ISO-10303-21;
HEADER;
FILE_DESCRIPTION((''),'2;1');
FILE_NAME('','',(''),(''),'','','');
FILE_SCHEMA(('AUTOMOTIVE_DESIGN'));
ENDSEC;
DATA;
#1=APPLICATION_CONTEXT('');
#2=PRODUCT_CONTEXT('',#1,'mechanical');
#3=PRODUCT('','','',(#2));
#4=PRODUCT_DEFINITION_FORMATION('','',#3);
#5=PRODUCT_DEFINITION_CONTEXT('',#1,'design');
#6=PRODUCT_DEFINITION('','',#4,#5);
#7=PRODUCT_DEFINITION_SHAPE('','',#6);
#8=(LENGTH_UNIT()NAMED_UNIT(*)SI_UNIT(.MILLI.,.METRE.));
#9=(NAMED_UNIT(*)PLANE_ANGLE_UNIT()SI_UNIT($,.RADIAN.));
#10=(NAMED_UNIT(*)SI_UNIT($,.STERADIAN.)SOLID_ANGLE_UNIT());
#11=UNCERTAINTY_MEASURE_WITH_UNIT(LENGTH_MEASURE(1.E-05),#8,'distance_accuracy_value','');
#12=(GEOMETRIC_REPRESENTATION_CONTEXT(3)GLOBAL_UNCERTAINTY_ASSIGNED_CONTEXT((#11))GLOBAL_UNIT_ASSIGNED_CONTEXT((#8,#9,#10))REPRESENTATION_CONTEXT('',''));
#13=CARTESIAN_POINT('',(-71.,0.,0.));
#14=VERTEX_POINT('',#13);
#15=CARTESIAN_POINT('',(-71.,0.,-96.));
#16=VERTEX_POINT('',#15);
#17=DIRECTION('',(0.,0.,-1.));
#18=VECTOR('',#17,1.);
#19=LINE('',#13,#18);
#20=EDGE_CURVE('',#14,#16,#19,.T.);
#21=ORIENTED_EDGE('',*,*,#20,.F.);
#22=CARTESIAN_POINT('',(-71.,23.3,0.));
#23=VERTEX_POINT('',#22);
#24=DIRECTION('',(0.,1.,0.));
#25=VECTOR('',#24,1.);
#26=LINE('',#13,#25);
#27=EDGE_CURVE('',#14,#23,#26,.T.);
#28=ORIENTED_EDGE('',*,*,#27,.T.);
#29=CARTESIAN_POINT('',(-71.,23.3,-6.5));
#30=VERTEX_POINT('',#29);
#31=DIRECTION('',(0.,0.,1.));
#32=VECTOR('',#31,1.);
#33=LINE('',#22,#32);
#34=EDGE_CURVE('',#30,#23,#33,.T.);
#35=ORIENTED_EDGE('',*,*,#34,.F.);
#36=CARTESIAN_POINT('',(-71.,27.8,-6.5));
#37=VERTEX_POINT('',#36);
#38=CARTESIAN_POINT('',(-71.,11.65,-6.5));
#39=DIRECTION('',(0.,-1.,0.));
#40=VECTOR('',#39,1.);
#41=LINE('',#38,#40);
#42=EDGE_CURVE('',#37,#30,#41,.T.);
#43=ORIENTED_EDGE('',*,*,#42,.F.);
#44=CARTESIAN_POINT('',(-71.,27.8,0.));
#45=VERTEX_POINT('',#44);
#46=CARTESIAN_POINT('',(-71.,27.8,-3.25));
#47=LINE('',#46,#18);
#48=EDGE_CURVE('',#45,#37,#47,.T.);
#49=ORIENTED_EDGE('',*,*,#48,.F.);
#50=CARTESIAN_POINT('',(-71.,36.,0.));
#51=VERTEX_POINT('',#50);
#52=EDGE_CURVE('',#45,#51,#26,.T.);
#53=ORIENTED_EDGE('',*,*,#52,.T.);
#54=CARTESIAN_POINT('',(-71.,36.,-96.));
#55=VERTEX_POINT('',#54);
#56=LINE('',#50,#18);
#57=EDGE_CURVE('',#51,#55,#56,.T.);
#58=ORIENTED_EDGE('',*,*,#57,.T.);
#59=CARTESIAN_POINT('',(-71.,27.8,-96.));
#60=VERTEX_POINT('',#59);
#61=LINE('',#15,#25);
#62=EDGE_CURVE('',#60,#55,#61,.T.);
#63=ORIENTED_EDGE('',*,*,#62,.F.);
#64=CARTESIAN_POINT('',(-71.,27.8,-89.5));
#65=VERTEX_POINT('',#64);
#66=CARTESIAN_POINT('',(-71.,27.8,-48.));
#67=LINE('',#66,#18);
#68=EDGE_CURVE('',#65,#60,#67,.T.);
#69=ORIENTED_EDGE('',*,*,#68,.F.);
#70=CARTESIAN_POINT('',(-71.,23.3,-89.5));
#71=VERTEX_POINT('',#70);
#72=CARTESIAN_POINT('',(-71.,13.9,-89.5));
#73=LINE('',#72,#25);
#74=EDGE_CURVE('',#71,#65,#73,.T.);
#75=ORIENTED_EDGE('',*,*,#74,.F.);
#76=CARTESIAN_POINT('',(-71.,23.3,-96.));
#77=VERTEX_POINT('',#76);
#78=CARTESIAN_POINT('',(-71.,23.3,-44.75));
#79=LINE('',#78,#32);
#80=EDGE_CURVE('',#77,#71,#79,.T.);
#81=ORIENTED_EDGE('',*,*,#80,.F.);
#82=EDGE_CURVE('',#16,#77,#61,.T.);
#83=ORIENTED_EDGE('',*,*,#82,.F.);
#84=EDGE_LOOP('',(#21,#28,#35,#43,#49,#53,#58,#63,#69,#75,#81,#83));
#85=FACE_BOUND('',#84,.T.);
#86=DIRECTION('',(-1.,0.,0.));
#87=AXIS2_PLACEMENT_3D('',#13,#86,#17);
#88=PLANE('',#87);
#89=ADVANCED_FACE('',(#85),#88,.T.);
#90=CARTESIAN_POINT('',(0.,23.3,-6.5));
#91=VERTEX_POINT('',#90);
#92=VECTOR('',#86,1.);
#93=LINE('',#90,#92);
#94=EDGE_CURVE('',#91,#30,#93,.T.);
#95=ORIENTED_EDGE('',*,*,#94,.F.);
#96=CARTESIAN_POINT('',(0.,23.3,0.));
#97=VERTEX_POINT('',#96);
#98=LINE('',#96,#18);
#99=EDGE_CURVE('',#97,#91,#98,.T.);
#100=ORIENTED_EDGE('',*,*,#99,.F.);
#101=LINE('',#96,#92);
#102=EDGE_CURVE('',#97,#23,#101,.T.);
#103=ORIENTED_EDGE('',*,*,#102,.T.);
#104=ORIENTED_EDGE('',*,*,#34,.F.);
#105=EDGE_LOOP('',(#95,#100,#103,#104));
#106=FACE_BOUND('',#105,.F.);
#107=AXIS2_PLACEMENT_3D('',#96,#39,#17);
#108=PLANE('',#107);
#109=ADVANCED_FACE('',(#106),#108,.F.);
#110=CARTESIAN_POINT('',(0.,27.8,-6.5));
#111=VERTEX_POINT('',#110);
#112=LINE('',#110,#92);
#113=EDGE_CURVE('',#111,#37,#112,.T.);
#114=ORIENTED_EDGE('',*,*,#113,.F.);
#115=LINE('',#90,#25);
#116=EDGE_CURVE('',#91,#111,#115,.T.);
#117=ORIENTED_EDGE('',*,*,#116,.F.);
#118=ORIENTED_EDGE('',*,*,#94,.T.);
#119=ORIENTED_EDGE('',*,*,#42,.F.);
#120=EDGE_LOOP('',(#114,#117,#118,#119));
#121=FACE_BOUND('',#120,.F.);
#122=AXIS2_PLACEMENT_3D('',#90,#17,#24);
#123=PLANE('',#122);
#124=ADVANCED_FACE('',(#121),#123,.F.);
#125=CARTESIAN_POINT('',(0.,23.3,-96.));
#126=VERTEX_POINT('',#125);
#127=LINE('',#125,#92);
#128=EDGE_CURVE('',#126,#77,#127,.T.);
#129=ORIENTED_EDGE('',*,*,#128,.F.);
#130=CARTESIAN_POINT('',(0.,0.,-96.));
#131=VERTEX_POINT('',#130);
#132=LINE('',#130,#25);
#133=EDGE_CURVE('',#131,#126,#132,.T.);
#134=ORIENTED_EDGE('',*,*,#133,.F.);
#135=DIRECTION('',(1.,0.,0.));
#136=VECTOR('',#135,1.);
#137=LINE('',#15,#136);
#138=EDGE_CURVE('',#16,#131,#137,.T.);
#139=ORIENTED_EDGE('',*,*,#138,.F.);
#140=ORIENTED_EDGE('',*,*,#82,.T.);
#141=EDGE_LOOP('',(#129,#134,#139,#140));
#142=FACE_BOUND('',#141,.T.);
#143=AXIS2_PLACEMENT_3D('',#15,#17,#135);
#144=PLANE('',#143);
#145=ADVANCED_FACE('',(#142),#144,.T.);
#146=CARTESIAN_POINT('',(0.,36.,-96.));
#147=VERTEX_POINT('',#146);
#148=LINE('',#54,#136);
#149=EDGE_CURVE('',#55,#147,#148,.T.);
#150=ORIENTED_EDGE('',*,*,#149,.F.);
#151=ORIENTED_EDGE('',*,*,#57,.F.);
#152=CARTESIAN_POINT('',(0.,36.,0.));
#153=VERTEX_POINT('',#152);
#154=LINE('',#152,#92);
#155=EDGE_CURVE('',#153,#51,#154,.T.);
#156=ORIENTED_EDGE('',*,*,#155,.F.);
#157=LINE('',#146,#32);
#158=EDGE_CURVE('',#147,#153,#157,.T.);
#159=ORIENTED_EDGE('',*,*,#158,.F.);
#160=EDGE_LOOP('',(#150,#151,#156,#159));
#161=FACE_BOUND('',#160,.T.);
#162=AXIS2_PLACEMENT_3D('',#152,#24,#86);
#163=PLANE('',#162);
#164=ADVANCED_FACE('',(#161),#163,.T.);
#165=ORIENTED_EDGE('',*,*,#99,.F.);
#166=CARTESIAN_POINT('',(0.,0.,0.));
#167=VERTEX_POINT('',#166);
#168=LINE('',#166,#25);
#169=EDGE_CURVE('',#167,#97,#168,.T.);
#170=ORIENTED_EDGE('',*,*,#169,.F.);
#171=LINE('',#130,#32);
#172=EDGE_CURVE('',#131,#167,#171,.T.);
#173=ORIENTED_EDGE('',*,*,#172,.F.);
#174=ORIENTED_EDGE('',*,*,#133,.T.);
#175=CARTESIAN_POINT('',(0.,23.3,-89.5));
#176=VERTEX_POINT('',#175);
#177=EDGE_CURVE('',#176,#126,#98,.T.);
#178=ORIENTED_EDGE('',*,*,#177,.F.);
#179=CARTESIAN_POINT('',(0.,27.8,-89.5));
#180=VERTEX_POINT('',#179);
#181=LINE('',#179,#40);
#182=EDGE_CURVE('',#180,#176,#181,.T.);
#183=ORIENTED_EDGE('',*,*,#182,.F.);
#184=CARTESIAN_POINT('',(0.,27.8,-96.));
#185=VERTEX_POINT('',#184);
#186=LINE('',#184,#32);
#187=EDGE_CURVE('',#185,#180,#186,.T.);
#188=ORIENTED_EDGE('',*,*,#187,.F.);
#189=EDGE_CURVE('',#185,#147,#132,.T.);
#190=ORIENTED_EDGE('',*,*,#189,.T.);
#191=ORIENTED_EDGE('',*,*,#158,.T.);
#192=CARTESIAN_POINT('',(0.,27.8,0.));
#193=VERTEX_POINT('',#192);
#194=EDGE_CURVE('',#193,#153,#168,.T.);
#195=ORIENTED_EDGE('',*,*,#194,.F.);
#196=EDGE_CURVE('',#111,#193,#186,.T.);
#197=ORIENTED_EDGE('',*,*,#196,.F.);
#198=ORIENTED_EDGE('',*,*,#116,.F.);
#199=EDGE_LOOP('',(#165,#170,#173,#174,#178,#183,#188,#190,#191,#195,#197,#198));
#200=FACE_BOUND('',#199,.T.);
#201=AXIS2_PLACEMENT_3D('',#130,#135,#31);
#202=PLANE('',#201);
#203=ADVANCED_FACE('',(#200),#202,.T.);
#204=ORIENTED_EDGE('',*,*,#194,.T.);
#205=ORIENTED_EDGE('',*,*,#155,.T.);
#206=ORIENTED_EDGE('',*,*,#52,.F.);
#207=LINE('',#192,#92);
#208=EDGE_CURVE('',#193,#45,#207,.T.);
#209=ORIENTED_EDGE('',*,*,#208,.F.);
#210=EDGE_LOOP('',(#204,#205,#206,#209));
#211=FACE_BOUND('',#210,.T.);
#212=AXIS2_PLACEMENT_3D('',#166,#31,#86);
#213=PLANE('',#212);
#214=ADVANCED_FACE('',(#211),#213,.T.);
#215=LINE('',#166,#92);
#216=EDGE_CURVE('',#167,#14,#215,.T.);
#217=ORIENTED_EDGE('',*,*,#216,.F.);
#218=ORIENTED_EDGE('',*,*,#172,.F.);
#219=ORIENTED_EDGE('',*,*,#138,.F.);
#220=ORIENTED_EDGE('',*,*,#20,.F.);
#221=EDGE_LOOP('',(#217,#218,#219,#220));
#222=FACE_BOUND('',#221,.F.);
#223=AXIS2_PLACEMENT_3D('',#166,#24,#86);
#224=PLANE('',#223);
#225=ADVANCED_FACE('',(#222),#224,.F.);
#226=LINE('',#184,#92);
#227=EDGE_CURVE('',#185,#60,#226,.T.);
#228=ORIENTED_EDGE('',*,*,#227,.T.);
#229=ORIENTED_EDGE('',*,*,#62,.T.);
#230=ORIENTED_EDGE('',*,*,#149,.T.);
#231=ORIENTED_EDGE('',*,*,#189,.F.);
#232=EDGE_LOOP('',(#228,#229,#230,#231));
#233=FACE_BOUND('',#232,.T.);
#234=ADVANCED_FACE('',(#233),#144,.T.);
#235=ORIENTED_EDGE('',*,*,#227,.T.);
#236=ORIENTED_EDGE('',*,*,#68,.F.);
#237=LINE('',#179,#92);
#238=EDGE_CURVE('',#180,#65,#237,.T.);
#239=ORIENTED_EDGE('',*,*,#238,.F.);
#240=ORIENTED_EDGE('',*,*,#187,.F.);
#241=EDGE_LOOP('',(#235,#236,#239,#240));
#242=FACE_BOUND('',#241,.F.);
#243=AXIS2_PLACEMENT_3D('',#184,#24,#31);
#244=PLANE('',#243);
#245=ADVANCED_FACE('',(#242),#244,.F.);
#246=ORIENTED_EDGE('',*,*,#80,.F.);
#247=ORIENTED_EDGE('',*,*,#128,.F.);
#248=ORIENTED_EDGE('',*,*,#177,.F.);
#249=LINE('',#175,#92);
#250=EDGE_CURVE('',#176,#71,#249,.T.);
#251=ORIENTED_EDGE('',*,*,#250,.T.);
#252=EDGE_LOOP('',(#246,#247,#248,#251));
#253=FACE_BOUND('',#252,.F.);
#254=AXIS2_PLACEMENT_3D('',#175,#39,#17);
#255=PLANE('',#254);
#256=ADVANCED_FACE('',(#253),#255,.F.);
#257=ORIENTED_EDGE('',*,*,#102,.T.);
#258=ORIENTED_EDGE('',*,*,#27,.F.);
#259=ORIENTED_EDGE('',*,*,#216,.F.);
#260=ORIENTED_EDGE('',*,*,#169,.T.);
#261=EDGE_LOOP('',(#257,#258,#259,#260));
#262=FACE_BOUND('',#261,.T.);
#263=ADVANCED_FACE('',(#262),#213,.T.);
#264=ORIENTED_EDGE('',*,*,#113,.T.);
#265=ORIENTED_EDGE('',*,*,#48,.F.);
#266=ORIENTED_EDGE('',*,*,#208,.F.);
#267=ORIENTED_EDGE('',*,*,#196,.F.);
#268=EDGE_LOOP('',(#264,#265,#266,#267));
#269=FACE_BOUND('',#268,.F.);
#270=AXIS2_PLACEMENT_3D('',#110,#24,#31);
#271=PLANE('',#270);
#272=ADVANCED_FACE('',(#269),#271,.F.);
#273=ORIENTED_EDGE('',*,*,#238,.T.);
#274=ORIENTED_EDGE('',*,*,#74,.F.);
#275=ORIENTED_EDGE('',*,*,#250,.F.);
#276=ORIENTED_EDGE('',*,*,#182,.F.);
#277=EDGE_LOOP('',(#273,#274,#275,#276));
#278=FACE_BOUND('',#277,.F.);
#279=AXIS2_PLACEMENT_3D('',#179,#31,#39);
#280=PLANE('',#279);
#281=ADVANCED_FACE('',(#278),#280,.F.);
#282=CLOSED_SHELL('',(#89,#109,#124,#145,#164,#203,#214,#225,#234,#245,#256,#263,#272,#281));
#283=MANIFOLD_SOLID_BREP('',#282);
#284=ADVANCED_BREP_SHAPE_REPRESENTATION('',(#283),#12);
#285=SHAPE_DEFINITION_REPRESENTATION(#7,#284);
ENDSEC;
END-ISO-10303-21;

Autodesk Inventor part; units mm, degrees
ref_plane "YZ Plane" through (0, 0, 0) normal (1, 0, 0) x (0, 1, 0)
ref_plane "XZ Plane" through (0, 0, 0) normal (0, 1, 0) x (-1, 0, 0)
ref_plane "XY Plane" through (0, 0, 0) normal (0, 0, 1) x (1, 0, 0)
sketch "Sketch1" plane through (0, 0, 0) normal (0, 1, 0) x (-1, 0, 0)
  line L0 (0, 0) -> (71, 0)
  line L1 (71, 0) -> (71, -96)
  line L2 (71, -96) -> (0, -96)
  line L3 (0, -96) -> (0, 0)
  dimension "d0" = 96
  dimension "d1" = 71
extrude "Extrusion1" add sketch "Sketch1" along normal blind 36
sketch "Sketch2" plane through (0, 0, 0) normal (1, 0, 0) x (0, 0, -1)
  line L0 (96, 0) -> (0, 0) projected
  line L1 (0, 0) -> (0, 23.3)
  line L2 (0, 0) -> (0, 36) projected
  line L3 (96, 0) -> (96, 36) projected
  line L4 (0, 23.3) -> (96, 23.3)
  line L5 (96, 23.3) -> (96, 27.8)
  line L6 (96, 27.8) -> (0, 27.8)
  line L7 (0, 27.8) -> (0, 23.3)
  line L8 (6.5, 27.8) -> (89.5, 27.8)
  line L9 (89.5, 27.8) -> (89.5, 23.3)
  line L10 (89.5, 23.3) -> (6.5, 23.3)
  line L11 (6.5, 23.3) -> (6.5, 27.8)
  point P0 (6.5, 23.3)
  point P1 (0, 27.8)
  dimension "d4" = 23.3
  dimension "d5" = 4.5
  dimension "d6" = 83
  dimension "d7" = 6.5
extrude "Extrusion2" cut sketch "Sketch2" against normal blind 112.75 contours L4 L9 L6 L3 | L2 L6 L11 L4
properties part number "Placeholde_stepperdriverr"
